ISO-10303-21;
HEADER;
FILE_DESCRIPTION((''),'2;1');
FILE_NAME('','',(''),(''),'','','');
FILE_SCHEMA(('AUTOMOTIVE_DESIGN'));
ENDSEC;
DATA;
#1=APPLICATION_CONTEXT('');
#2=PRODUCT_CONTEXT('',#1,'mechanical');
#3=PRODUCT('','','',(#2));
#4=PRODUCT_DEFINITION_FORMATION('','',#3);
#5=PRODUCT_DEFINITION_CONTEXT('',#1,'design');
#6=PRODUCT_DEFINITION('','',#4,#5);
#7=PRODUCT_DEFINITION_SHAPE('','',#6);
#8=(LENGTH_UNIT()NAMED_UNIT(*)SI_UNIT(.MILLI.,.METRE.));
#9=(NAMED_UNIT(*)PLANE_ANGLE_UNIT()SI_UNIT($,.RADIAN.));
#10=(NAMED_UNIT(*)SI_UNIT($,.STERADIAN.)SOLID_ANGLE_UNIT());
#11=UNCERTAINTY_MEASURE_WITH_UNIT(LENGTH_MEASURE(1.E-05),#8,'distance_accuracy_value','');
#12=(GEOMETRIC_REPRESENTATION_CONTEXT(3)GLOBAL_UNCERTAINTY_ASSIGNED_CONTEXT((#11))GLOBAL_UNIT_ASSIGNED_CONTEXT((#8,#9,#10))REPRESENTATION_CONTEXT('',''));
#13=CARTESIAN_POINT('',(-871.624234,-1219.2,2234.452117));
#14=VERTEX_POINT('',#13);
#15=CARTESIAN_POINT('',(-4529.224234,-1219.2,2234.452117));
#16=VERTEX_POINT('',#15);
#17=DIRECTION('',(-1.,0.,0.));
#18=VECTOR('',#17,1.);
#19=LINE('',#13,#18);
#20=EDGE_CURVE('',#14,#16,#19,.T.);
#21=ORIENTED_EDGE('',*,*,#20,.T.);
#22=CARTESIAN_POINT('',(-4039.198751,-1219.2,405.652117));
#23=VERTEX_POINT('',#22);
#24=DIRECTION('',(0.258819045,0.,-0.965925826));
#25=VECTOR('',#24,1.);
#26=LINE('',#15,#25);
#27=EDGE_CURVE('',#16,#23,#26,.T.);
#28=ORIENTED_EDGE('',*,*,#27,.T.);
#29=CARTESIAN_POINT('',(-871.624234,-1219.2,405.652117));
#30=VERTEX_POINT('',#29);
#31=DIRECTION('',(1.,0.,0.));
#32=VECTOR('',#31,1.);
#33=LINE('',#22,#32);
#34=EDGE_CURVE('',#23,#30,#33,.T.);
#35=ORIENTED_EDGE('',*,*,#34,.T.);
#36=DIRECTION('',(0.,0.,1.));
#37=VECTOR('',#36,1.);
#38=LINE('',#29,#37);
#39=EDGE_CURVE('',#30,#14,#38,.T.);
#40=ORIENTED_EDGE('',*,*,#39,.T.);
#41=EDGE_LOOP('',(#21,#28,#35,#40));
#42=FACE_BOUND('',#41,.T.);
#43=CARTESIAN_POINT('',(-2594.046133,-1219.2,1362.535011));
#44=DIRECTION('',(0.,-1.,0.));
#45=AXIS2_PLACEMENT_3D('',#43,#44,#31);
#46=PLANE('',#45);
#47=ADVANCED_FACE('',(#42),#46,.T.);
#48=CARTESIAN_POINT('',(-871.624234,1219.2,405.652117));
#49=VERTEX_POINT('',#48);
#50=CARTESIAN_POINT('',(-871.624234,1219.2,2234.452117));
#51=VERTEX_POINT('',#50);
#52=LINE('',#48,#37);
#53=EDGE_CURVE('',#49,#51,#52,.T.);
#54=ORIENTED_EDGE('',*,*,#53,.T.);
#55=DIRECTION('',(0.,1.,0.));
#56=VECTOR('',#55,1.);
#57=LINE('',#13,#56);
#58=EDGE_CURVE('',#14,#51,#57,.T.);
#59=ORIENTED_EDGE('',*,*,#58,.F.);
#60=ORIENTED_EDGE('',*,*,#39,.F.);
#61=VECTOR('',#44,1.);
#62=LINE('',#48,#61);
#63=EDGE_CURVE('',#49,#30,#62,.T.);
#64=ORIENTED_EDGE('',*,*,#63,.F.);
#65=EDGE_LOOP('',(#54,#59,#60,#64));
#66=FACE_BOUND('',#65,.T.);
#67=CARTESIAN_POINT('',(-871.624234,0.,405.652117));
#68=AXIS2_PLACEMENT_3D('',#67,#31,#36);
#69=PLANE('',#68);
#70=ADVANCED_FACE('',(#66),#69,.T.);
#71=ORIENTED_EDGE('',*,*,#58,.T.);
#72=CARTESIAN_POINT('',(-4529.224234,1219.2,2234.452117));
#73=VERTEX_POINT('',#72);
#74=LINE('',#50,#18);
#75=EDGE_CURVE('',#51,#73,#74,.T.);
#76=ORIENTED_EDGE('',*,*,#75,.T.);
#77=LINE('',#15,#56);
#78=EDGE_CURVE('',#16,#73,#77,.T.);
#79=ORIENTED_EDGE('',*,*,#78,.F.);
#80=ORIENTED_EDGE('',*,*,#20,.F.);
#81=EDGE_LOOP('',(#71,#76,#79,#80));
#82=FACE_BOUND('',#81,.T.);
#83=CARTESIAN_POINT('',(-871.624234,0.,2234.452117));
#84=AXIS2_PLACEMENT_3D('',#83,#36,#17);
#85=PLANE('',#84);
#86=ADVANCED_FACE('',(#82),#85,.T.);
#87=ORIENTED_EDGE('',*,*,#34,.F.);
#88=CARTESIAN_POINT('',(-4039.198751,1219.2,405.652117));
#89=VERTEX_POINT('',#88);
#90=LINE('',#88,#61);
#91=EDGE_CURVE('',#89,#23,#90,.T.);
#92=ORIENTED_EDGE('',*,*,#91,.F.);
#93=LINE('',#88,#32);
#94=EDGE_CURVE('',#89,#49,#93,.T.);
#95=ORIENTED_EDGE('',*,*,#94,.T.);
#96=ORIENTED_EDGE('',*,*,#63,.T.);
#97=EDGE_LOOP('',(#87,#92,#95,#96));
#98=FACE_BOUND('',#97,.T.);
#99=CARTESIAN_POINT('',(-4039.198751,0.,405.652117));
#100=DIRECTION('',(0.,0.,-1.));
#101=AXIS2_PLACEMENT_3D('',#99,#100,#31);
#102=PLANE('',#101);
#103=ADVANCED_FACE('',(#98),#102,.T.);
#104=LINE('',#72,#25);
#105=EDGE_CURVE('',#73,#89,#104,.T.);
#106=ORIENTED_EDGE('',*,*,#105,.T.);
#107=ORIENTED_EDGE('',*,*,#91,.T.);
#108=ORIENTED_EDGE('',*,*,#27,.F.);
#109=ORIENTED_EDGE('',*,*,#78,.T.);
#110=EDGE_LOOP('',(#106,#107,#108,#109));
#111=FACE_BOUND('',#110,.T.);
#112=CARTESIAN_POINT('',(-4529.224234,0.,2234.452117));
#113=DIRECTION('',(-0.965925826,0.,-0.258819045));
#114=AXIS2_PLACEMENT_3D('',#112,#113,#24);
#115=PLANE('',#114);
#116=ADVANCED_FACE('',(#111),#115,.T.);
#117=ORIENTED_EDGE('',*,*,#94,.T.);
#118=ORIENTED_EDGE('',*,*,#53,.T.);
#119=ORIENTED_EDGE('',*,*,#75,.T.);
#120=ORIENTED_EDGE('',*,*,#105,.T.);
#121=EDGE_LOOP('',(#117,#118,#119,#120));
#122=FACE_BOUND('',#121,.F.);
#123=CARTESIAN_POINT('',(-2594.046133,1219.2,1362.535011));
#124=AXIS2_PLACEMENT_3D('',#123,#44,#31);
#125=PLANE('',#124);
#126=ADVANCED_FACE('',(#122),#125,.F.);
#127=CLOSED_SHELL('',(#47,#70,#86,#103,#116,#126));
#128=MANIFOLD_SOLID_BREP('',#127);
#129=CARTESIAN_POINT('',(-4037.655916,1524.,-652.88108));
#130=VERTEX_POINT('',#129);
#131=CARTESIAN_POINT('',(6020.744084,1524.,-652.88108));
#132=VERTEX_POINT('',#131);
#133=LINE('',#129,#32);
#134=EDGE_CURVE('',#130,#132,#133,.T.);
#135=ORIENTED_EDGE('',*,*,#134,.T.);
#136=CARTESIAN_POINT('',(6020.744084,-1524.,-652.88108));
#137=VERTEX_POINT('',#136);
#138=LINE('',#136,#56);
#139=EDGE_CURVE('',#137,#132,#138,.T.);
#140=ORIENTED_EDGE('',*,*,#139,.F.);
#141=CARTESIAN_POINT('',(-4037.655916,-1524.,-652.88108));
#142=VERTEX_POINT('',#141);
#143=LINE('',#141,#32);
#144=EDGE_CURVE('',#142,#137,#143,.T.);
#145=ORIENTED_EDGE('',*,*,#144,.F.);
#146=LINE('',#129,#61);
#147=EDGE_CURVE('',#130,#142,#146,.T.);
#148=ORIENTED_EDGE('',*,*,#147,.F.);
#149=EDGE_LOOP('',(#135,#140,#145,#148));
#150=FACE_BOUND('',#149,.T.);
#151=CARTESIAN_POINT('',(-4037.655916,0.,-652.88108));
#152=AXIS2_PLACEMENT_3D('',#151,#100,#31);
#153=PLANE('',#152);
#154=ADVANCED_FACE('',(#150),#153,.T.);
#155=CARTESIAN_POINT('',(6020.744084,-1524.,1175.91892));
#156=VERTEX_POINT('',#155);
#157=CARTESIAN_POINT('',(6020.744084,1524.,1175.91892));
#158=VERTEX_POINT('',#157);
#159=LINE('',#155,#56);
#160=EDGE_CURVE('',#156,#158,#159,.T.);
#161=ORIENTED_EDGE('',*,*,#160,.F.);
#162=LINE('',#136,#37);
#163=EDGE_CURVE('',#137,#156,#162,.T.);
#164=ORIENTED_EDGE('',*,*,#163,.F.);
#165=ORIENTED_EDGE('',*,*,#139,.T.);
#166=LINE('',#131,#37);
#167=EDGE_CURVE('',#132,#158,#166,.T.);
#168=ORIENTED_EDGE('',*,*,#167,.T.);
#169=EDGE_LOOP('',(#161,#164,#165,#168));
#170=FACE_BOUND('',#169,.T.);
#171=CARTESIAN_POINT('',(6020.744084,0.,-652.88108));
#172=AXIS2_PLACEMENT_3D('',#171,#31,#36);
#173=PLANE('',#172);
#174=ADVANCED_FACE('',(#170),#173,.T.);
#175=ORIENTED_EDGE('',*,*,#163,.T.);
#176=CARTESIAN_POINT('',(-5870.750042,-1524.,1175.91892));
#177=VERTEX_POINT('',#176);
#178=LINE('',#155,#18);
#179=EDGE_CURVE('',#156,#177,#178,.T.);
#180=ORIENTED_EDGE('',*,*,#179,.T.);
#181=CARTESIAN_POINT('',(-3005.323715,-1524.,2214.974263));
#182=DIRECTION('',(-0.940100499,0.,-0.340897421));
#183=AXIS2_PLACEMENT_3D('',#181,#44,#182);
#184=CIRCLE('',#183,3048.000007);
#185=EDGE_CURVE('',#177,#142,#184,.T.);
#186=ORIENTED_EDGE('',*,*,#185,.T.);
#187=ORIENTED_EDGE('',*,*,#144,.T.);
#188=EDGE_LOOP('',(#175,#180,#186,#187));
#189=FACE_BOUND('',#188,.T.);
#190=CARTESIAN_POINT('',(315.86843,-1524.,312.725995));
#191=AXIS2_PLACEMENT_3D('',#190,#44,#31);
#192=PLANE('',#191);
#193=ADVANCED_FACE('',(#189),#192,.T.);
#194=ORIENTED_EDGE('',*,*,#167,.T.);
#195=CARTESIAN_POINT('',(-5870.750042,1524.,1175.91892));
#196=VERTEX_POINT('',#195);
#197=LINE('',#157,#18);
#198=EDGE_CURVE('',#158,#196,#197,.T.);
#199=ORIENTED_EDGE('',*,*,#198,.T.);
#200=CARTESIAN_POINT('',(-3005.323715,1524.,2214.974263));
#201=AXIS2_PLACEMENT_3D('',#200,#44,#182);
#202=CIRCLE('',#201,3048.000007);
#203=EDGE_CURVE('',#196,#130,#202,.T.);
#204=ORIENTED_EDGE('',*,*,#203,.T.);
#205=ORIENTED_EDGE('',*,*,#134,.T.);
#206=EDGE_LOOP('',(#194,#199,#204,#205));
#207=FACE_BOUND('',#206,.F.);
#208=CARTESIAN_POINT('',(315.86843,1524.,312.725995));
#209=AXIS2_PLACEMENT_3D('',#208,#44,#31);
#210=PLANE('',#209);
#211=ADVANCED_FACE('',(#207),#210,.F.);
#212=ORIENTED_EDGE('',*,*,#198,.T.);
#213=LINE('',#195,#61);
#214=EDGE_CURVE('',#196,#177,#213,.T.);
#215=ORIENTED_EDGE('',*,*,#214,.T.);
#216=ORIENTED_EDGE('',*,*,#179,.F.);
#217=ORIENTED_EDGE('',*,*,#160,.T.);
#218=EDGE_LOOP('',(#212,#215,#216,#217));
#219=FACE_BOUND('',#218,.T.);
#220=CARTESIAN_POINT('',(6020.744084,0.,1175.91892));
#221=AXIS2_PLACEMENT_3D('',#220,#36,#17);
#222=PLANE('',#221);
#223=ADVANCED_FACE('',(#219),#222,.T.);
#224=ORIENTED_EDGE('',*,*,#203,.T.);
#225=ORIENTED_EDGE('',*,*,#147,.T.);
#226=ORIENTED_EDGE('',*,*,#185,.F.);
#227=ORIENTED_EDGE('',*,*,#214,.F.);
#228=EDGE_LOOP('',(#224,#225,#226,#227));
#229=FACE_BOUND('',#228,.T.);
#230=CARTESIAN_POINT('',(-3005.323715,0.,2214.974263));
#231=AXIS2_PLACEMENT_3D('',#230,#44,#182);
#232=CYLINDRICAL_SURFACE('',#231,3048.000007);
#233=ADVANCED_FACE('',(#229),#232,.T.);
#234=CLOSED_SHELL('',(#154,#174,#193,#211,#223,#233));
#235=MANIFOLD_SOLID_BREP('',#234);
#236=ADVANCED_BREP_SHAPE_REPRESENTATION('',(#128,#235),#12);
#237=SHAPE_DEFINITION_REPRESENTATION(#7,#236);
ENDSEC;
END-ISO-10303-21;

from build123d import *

# Parameters (mm, degrees)
F1_DEPTH = 1524
F3_DEPTH = 1219.2


with BuildPart() as f1:
    # F0 (on Front) → F1 (new body, symmetric)
    with BuildSketch(Plane.XZ):
        with BuildLine():
            Line((6020.744084, 1175.91892), (-5870.750042, 1175.91892))
            ThreePointArc((-5870.750042, 1175.91892), (-5158.056338, 57.186902), (-4037.655916, -652.88108))
            Line((-4037.655916, -652.88108), (6020.744084, -652.88108))
            Line((6020.744084, -652.88108), (6020.744084, 1175.91892))
        make_face()
    extrude(amount=F1_DEPTH, both=True)


with BuildPart() as f3:
    # F2 (on Front) → F3 (new body, symmetric)
    with BuildSketch(Plane.XZ):
        Polygon((-4529.224234, 2234.452117), (-4039.198751, 405.652117), (-871.624234, 405.652117), (-871.624234, 2234.452117), align=None)
    extrude(amount=F3_DEPTH, both=True)


solid = Compound([f1.part, f3.part])
